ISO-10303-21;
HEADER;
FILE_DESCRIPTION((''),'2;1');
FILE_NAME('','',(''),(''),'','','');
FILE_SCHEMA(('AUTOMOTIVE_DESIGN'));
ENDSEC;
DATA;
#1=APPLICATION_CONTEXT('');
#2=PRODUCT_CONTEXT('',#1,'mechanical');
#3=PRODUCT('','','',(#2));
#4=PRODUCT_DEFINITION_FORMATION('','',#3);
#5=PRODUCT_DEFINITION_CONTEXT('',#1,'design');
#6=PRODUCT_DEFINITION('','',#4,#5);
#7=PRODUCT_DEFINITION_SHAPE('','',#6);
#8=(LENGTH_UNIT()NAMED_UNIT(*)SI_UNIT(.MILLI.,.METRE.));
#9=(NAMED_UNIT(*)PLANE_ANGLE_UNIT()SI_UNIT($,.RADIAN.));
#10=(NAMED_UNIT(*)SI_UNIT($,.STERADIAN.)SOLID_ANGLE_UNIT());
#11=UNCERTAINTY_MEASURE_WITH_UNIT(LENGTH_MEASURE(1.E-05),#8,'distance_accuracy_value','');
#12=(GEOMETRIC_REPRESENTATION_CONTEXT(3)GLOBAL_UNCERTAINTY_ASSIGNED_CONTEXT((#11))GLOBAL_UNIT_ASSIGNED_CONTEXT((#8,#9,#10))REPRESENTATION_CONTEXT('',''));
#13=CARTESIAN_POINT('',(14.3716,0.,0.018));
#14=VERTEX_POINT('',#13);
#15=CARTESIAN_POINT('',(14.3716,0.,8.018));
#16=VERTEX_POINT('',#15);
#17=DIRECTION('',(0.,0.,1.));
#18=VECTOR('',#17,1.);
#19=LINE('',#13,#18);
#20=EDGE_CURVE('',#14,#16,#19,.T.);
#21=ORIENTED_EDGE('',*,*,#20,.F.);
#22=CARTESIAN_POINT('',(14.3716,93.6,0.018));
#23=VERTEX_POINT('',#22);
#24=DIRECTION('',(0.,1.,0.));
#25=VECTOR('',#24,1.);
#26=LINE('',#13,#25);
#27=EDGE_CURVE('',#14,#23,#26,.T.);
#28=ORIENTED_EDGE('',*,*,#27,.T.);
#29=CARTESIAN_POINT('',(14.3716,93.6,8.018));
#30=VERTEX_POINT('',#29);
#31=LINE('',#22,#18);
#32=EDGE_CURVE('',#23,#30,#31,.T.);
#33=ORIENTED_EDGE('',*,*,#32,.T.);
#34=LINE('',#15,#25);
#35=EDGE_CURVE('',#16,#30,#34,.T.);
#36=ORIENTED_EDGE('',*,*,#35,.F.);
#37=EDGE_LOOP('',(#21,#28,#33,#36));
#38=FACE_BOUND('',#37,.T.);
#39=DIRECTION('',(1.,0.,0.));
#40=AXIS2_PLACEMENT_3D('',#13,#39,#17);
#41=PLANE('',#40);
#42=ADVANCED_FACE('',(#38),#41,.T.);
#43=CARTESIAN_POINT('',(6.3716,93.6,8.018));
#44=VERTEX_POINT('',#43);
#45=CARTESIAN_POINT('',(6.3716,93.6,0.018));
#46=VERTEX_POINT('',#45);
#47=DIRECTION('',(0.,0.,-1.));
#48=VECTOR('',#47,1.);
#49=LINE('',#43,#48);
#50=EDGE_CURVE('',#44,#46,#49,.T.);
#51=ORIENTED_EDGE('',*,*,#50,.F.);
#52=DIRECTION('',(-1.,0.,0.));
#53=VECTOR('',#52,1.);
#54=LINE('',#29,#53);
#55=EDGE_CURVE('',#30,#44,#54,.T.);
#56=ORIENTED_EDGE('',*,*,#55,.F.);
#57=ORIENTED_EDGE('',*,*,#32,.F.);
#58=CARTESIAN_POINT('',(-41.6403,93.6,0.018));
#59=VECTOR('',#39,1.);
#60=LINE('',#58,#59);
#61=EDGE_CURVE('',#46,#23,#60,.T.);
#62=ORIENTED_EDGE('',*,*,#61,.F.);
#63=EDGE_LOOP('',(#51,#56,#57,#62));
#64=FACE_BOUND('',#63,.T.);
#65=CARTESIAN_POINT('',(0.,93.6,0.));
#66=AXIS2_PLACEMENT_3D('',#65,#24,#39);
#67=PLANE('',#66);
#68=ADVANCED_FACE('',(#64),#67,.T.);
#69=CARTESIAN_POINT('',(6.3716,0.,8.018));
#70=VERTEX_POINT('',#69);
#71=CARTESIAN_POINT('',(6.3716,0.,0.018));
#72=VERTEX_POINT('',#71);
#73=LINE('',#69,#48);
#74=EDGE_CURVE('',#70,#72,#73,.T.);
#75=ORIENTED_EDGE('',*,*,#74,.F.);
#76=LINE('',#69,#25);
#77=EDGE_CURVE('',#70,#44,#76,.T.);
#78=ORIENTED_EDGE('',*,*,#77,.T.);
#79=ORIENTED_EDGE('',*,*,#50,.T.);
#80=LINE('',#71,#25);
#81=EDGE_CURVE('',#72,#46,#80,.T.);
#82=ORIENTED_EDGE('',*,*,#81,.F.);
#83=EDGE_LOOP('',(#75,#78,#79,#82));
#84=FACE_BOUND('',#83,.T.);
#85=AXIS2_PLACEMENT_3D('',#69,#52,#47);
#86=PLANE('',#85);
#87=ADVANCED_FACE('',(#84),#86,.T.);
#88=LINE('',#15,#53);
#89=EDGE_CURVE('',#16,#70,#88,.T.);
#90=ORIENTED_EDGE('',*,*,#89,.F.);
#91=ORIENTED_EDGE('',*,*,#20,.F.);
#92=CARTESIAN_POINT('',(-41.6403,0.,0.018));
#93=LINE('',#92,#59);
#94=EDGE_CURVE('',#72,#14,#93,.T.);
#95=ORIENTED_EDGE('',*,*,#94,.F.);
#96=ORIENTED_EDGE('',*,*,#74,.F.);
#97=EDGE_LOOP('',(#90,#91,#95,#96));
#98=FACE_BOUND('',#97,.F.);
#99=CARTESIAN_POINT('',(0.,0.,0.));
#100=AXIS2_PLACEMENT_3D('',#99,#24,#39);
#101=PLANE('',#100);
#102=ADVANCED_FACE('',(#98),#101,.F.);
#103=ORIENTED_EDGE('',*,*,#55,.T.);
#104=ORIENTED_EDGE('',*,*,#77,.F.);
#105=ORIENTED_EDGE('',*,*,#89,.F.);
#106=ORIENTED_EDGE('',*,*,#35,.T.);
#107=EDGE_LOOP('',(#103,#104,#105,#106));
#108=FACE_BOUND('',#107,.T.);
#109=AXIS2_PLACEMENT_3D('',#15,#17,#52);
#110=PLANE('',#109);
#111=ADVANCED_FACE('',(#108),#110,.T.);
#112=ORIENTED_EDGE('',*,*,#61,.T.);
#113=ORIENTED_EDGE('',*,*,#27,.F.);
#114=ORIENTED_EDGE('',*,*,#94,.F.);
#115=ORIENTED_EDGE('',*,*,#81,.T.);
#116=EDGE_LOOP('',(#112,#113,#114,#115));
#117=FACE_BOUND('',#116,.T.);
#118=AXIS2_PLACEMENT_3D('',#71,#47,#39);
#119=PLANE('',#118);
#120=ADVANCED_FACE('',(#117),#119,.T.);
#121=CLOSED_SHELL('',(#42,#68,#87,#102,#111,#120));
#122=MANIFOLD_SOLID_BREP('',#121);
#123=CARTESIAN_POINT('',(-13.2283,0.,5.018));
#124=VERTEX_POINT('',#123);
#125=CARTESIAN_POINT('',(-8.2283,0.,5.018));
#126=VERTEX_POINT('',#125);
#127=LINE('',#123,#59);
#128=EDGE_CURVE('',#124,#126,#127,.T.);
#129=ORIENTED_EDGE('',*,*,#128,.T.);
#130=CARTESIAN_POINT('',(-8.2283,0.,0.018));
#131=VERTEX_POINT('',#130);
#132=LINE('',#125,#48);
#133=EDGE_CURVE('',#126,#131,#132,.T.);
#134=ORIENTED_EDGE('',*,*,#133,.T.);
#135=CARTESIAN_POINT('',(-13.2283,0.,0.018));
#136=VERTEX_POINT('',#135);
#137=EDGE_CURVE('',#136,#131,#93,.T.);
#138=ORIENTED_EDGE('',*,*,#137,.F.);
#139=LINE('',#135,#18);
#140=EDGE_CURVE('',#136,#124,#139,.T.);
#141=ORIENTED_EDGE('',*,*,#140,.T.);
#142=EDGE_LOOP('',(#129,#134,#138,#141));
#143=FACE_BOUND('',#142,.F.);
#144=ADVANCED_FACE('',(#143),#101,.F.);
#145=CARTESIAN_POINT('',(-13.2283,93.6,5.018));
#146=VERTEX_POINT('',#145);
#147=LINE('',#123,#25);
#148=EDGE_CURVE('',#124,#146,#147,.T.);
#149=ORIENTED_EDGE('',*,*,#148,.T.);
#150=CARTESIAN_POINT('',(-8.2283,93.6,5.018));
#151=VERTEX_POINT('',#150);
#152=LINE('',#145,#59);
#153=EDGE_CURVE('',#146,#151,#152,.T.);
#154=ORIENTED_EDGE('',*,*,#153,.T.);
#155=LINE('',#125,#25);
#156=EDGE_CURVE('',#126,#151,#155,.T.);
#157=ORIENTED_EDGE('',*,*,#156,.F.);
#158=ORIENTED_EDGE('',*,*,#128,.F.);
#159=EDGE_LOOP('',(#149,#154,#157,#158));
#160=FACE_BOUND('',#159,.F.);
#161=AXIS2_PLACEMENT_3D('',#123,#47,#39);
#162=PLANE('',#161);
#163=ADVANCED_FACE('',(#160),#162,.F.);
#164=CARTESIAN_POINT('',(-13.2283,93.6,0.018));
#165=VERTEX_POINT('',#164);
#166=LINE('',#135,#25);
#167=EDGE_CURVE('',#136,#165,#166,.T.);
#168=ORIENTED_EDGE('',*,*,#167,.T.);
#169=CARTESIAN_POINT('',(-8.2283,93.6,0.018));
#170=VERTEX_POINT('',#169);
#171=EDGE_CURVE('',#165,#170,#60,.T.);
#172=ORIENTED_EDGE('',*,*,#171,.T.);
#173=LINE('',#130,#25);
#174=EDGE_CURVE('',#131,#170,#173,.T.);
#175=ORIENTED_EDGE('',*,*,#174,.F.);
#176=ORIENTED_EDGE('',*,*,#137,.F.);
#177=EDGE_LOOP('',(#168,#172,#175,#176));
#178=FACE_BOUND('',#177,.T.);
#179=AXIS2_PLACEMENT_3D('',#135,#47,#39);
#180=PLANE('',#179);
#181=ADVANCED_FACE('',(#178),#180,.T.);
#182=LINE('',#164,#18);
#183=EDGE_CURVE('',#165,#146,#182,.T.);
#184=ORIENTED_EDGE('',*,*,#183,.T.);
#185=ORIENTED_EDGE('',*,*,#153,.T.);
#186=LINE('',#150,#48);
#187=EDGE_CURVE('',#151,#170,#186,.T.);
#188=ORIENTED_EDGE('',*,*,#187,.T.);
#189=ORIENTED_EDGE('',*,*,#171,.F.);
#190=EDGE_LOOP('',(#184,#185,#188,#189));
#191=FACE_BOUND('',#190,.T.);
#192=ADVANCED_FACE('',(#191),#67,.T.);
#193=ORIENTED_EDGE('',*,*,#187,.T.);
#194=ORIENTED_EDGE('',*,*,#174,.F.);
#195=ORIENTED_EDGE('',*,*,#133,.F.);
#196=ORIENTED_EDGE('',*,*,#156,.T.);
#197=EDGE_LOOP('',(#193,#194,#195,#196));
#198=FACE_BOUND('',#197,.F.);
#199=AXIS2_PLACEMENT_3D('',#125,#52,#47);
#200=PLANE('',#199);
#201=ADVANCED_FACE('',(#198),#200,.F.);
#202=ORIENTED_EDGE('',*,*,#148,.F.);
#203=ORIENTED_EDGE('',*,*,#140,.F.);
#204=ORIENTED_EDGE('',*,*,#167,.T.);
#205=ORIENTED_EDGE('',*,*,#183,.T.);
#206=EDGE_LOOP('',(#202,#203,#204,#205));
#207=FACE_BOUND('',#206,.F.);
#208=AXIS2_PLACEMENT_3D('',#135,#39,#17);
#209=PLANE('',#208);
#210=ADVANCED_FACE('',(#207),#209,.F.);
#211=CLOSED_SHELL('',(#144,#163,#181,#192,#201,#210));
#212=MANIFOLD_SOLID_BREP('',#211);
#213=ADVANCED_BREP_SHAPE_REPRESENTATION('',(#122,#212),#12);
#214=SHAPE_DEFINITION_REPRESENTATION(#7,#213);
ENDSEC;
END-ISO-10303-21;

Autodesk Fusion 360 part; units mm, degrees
sketch "Sketch1" plane through (0, 0, 0) normal (0, 1, 0) x (1, 0, 0)
  line L0 (-41.6403, -0.018) -> (25.1836, -0.018)
  line L1 (-8.2283, -0.018) -> (-13.2283, -0.018)
  line L2 (-13.2283, -0.018) -> (-13.2283, -5.018)
  line L3 (-13.2283, -5.018) -> (-8.2283, -5.018)
  line L4 (-8.2283, -5.018) -> (-8.2283, -0.018)
  line L5 (6.3716, -0.018) -> (14.3716, -0.018)
  line L6 (14.3716, -0.018) -> (14.3716, -8.018)
  line L7 (14.3716, -8.018) -> (6.3716, -8.018)
  line L8 (6.3716, -8.018) -> (6.3716, -0.018)
  dimension "d1" = 5
  dimension "d2" = 5
  dimension "d3" = 8
  dimension "d4" = 8
extrude "Extrude1" add sketch "Sketch1" along normal blind 93.6 contours L0 L1 L2 L3 L4 makes body 1
extrude "Extrude2" add sketch "Sketch1" along normal blind 93.6 separate body contours L0 L5 L6 L7 L8 makes body 2
